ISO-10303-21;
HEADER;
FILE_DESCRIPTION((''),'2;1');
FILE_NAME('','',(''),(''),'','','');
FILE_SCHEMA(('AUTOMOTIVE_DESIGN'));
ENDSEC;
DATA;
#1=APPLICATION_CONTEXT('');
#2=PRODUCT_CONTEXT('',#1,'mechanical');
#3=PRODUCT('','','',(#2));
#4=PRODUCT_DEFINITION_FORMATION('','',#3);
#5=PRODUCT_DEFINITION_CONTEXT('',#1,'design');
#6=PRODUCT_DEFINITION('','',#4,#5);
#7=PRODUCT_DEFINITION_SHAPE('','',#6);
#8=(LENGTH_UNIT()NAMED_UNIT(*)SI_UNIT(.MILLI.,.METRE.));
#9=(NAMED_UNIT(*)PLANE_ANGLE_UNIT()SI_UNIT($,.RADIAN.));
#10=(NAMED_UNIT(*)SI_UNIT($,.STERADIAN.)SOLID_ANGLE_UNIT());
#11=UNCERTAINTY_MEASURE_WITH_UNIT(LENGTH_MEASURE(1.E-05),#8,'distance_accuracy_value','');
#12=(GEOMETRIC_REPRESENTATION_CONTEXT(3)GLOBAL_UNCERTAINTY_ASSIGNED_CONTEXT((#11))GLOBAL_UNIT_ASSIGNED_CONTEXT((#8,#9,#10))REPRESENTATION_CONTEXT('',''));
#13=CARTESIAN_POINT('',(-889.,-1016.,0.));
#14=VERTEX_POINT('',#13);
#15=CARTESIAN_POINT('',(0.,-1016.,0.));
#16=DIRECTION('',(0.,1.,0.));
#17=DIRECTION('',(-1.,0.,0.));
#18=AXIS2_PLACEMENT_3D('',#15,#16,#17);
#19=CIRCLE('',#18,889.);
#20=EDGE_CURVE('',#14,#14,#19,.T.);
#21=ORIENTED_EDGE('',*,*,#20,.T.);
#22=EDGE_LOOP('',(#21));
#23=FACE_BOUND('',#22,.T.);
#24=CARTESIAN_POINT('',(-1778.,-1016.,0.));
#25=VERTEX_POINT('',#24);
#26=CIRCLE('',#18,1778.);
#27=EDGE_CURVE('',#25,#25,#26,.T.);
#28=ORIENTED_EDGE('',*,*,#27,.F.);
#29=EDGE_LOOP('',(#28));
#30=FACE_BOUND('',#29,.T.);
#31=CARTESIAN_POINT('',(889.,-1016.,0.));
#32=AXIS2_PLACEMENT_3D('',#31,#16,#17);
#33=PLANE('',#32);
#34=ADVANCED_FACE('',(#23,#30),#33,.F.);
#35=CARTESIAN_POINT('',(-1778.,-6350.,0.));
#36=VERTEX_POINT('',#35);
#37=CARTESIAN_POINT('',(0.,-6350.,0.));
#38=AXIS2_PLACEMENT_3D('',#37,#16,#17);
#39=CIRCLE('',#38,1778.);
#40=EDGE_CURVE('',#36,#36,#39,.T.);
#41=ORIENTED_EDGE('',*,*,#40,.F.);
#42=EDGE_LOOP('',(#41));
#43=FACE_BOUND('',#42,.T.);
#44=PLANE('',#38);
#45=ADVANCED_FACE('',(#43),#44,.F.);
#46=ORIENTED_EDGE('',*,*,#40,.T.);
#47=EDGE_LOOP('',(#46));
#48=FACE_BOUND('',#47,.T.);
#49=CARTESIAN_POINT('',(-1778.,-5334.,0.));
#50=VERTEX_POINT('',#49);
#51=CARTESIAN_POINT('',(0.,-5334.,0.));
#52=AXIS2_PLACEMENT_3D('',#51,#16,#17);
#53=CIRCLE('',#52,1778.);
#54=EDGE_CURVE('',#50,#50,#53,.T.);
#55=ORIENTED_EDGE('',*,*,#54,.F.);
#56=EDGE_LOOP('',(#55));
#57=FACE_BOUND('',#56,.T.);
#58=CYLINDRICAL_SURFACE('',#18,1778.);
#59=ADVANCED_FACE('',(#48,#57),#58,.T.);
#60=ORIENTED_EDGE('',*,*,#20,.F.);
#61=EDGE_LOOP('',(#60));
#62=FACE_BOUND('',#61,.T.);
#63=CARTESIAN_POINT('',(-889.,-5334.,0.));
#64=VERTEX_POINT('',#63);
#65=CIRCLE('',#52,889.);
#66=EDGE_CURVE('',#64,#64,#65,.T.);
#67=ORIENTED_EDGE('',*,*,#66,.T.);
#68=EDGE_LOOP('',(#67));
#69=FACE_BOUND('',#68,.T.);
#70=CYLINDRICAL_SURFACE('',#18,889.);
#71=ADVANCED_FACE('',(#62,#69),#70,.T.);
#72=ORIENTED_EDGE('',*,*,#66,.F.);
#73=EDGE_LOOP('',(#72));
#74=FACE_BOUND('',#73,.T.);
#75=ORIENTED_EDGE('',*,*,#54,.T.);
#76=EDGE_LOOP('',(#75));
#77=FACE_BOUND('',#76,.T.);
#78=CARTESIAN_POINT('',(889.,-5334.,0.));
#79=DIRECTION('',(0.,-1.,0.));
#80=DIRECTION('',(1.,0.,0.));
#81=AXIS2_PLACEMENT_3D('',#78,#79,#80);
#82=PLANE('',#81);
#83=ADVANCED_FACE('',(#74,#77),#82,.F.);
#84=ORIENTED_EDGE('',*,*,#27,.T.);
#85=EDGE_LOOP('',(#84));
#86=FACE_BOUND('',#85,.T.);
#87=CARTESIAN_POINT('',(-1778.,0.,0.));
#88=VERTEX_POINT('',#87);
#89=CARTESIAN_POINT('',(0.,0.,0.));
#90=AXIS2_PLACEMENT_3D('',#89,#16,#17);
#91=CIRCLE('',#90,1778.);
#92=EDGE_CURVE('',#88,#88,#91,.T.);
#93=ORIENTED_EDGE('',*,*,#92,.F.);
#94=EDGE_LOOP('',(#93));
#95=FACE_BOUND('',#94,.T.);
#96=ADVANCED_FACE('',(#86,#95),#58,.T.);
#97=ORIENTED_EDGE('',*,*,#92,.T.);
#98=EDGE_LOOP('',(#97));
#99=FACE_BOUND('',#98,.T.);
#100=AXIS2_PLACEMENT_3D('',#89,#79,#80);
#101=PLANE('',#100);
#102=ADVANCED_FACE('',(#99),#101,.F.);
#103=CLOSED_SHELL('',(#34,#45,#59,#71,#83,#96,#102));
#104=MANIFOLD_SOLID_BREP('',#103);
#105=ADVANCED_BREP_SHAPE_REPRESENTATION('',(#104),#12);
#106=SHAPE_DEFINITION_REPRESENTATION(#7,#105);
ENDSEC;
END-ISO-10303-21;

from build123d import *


with BuildPart() as part:
    # Sketch1 → Revolve1 (revolve)
    with BuildSketch(Plane.XY, mode=Mode.PRIVATE) as revolve1_sk:
        Polygon((0, 0), (1778, 0), (1778, -1016), (889, -1016), (889, -5334), (1778, -5334), (1778, -6350), (0, -6350), (0, -5334), (0, -1016), align=None)
    revolve(revolve1_sk.sketch.rotate(Axis((0, -1016, 0), (0, -1, 0)), 180), axis=Axis((0, -1016, 0), (0, -1, 0)))


solid = part.part
